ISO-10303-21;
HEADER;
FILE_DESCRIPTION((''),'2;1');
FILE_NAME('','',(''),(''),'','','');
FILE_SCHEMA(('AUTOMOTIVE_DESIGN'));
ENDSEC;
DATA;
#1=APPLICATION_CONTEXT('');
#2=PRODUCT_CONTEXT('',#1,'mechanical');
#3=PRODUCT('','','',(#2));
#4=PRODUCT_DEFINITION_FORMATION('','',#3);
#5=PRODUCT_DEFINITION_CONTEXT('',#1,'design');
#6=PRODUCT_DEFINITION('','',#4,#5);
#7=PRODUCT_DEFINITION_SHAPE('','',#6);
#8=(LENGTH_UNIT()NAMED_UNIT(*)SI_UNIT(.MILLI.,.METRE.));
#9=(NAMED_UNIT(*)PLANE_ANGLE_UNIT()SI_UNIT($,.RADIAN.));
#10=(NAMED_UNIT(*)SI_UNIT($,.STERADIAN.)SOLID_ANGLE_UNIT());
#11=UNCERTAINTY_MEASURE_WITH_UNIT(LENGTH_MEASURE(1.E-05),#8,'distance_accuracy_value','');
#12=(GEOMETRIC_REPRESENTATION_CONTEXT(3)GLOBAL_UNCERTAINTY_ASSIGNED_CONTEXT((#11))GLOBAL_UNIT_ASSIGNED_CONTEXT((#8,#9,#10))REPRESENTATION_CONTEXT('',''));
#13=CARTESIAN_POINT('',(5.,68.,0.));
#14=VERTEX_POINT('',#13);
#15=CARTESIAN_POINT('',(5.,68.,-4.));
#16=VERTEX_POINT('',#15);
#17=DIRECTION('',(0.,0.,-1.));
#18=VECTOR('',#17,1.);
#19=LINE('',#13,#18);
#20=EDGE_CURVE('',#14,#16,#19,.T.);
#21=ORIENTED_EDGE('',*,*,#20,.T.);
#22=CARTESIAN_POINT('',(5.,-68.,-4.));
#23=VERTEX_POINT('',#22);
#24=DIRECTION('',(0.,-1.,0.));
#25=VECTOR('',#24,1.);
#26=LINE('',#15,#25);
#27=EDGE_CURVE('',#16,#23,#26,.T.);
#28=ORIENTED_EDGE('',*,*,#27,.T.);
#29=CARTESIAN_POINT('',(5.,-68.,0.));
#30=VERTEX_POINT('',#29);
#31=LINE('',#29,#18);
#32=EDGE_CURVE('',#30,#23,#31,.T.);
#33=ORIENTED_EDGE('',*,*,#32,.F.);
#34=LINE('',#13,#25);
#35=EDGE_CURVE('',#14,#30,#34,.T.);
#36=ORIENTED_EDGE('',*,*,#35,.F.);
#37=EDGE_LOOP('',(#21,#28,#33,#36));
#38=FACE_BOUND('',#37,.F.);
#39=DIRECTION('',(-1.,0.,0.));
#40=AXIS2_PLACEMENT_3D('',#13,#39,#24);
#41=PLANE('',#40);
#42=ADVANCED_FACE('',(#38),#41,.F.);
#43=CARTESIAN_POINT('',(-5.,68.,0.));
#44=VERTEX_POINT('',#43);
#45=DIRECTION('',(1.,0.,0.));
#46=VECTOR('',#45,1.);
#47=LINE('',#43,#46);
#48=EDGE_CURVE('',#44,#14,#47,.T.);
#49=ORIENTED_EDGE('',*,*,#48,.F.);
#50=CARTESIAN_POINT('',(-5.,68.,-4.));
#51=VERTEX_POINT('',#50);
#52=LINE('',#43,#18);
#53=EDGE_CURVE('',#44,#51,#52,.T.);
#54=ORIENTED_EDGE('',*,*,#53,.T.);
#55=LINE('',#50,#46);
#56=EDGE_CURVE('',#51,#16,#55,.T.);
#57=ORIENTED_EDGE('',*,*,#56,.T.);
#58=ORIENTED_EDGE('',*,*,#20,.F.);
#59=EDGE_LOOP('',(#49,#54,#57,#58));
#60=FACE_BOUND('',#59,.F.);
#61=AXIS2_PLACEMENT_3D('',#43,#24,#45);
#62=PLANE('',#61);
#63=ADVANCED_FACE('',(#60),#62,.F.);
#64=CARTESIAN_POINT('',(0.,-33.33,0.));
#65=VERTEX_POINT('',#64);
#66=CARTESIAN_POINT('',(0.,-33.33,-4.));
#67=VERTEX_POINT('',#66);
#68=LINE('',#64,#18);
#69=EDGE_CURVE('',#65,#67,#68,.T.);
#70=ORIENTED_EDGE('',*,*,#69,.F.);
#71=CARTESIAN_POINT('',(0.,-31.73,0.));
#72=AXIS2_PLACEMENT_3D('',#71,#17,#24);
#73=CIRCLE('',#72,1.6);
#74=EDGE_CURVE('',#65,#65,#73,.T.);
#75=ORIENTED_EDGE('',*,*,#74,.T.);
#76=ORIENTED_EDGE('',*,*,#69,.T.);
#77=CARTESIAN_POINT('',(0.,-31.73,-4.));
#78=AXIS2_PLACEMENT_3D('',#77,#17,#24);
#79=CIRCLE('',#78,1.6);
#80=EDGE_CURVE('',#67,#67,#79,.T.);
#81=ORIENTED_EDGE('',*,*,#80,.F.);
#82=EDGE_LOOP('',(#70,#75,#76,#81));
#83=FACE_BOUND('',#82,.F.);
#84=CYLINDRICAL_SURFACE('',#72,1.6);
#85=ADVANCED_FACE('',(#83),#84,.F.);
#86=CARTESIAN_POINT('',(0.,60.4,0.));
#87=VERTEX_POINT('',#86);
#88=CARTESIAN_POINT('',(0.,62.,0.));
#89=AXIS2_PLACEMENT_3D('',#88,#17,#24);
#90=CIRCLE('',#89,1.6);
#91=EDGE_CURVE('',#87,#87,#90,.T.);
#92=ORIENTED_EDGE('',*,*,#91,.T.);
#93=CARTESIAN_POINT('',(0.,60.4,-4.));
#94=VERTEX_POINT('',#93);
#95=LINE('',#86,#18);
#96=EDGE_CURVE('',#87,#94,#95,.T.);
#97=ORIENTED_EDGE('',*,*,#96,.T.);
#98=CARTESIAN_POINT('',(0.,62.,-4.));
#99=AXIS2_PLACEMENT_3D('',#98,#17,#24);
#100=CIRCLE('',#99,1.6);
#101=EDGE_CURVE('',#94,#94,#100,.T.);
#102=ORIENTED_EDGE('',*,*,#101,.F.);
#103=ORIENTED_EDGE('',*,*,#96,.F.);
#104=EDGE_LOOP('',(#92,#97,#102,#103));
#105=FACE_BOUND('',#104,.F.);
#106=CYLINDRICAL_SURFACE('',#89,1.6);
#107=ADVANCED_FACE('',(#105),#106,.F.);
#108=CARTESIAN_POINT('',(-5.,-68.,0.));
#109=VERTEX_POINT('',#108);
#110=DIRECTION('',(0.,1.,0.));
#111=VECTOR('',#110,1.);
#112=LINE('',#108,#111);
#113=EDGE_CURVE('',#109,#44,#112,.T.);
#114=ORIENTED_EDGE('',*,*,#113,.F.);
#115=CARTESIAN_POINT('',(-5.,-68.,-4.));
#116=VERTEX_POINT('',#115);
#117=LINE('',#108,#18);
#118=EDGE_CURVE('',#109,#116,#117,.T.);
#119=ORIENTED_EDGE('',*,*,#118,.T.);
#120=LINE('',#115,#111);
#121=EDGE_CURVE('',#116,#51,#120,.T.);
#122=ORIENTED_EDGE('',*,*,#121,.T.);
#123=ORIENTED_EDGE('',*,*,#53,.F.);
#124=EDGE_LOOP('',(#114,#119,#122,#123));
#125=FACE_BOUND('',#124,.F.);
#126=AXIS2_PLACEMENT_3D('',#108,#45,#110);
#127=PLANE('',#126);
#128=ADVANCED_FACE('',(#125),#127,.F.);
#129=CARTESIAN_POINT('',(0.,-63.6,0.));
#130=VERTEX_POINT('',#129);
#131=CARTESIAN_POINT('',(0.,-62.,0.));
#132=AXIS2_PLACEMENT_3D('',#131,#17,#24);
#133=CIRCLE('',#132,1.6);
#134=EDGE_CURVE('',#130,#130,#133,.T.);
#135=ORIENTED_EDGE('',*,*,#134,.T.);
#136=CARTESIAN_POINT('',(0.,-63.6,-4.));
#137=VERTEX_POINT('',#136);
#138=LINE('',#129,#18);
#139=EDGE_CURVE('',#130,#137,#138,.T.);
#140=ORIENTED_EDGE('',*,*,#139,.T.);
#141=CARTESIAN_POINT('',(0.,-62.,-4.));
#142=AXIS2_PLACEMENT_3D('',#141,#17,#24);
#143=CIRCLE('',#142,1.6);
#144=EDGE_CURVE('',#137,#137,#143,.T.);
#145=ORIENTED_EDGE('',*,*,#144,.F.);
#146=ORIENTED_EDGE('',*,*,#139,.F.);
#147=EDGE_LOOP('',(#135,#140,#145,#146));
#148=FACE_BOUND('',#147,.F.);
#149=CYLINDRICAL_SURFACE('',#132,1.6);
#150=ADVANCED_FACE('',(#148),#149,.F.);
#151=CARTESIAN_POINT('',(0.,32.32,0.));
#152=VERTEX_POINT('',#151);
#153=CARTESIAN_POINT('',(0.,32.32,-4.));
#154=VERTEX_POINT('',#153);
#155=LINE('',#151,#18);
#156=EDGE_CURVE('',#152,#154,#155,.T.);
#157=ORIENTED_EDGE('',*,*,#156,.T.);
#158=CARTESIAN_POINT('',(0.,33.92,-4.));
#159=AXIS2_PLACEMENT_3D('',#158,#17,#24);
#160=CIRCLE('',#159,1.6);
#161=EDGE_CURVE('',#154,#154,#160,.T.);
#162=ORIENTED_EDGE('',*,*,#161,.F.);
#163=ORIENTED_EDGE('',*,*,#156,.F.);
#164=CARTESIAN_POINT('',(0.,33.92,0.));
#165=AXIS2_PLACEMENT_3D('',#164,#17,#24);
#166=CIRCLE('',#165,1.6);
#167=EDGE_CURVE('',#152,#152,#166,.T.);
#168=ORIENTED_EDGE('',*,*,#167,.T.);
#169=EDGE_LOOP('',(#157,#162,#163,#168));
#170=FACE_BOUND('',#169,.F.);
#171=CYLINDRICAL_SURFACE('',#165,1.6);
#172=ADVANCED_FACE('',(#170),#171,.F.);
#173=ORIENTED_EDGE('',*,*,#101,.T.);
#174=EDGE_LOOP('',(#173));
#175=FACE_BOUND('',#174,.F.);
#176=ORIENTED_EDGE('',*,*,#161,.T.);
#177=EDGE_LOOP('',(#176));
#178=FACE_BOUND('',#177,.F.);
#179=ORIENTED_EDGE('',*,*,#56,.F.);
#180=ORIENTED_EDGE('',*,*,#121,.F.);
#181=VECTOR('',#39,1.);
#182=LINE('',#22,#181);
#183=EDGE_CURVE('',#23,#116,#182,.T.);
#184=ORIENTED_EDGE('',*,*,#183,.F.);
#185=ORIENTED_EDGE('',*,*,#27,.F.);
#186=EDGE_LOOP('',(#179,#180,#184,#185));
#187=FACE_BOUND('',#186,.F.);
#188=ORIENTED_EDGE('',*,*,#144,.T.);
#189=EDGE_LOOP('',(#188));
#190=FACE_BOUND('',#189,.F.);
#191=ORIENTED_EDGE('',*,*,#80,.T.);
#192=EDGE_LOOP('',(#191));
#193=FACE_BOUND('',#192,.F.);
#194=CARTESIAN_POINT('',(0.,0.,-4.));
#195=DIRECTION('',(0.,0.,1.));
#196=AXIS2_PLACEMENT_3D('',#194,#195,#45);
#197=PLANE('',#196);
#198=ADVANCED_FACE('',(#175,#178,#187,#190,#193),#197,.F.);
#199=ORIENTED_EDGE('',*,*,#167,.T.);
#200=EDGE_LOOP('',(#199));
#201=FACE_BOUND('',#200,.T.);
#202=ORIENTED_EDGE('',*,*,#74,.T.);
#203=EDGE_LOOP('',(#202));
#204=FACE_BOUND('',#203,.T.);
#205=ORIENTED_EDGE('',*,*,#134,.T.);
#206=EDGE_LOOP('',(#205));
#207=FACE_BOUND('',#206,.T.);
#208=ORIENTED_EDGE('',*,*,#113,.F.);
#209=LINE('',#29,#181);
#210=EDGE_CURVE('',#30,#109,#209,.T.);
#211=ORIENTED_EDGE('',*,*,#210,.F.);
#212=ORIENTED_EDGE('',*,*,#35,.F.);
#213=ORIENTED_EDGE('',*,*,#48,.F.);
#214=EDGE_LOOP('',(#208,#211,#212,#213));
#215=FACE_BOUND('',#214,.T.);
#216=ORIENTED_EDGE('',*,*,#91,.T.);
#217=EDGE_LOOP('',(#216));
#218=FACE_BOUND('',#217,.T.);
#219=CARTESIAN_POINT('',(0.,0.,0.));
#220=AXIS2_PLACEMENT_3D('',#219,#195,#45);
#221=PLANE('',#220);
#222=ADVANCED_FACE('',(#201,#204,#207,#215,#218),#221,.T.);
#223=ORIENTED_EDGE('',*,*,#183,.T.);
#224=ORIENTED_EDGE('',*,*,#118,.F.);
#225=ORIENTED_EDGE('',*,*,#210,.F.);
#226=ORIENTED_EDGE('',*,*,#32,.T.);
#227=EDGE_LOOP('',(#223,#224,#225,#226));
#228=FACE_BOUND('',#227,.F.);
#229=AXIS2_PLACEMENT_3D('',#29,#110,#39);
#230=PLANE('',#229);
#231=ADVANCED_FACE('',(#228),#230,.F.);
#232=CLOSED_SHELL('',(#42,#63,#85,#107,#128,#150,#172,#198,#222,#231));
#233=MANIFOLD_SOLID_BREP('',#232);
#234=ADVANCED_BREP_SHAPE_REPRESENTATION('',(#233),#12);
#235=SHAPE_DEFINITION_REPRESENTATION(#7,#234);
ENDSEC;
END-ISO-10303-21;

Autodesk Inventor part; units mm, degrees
ref_plane "Plan YZ" through (0, 0, 0) normal (1, 0, 0) x (0, 1, 0)
ref_plane "Plan XZ" through (0, 0, 0) normal (0, 1, 0) x (-1, 0, 0)
ref_plane "Plan XY" through (0, 0, 0) normal (0, 0, 1) x (1, 0, 0)
sketch "Esquisse7" plane through (0, 0, 0) normal (0, 0, 1) x (1, 0, 0)
  line L0 (-5, 68) -> (5, 68)
  line L1 (5, 68) -> (5, -68)
  line L2 (5, -68) -> (-5, -68)
  line L3 (-5, -68) -> (-5, 68)
  line L4 (0, 95.2) -> (0, -95.2) construction
  line L5 (-7, 0) -> (7, 0) construction
  point P0 (0, 0)
  point P1 (0, 62)
  point P2 (0, -62)
  point P3 (0, 33.92)
  point P4 (0, -31.73)
  dimension "d28" = 10
  dimension "d29" = 136
  dimension "d40" = 124
  dimension "d45" = 28.08
  dimension "d46" = 65.65
  dimension "d47" = 30.27
extrude "Extrusion3" add sketch "Esquisse7" against normal blind 4
hole "Perçage3" at (0, 62, 0) at (0, -62, 0) at (0, 33.92, 0) at (0, -31.73, 0) direction (0, 0, -1) diameter 3.2 end through all
properties part number "003" material "Aluminium 6061"
